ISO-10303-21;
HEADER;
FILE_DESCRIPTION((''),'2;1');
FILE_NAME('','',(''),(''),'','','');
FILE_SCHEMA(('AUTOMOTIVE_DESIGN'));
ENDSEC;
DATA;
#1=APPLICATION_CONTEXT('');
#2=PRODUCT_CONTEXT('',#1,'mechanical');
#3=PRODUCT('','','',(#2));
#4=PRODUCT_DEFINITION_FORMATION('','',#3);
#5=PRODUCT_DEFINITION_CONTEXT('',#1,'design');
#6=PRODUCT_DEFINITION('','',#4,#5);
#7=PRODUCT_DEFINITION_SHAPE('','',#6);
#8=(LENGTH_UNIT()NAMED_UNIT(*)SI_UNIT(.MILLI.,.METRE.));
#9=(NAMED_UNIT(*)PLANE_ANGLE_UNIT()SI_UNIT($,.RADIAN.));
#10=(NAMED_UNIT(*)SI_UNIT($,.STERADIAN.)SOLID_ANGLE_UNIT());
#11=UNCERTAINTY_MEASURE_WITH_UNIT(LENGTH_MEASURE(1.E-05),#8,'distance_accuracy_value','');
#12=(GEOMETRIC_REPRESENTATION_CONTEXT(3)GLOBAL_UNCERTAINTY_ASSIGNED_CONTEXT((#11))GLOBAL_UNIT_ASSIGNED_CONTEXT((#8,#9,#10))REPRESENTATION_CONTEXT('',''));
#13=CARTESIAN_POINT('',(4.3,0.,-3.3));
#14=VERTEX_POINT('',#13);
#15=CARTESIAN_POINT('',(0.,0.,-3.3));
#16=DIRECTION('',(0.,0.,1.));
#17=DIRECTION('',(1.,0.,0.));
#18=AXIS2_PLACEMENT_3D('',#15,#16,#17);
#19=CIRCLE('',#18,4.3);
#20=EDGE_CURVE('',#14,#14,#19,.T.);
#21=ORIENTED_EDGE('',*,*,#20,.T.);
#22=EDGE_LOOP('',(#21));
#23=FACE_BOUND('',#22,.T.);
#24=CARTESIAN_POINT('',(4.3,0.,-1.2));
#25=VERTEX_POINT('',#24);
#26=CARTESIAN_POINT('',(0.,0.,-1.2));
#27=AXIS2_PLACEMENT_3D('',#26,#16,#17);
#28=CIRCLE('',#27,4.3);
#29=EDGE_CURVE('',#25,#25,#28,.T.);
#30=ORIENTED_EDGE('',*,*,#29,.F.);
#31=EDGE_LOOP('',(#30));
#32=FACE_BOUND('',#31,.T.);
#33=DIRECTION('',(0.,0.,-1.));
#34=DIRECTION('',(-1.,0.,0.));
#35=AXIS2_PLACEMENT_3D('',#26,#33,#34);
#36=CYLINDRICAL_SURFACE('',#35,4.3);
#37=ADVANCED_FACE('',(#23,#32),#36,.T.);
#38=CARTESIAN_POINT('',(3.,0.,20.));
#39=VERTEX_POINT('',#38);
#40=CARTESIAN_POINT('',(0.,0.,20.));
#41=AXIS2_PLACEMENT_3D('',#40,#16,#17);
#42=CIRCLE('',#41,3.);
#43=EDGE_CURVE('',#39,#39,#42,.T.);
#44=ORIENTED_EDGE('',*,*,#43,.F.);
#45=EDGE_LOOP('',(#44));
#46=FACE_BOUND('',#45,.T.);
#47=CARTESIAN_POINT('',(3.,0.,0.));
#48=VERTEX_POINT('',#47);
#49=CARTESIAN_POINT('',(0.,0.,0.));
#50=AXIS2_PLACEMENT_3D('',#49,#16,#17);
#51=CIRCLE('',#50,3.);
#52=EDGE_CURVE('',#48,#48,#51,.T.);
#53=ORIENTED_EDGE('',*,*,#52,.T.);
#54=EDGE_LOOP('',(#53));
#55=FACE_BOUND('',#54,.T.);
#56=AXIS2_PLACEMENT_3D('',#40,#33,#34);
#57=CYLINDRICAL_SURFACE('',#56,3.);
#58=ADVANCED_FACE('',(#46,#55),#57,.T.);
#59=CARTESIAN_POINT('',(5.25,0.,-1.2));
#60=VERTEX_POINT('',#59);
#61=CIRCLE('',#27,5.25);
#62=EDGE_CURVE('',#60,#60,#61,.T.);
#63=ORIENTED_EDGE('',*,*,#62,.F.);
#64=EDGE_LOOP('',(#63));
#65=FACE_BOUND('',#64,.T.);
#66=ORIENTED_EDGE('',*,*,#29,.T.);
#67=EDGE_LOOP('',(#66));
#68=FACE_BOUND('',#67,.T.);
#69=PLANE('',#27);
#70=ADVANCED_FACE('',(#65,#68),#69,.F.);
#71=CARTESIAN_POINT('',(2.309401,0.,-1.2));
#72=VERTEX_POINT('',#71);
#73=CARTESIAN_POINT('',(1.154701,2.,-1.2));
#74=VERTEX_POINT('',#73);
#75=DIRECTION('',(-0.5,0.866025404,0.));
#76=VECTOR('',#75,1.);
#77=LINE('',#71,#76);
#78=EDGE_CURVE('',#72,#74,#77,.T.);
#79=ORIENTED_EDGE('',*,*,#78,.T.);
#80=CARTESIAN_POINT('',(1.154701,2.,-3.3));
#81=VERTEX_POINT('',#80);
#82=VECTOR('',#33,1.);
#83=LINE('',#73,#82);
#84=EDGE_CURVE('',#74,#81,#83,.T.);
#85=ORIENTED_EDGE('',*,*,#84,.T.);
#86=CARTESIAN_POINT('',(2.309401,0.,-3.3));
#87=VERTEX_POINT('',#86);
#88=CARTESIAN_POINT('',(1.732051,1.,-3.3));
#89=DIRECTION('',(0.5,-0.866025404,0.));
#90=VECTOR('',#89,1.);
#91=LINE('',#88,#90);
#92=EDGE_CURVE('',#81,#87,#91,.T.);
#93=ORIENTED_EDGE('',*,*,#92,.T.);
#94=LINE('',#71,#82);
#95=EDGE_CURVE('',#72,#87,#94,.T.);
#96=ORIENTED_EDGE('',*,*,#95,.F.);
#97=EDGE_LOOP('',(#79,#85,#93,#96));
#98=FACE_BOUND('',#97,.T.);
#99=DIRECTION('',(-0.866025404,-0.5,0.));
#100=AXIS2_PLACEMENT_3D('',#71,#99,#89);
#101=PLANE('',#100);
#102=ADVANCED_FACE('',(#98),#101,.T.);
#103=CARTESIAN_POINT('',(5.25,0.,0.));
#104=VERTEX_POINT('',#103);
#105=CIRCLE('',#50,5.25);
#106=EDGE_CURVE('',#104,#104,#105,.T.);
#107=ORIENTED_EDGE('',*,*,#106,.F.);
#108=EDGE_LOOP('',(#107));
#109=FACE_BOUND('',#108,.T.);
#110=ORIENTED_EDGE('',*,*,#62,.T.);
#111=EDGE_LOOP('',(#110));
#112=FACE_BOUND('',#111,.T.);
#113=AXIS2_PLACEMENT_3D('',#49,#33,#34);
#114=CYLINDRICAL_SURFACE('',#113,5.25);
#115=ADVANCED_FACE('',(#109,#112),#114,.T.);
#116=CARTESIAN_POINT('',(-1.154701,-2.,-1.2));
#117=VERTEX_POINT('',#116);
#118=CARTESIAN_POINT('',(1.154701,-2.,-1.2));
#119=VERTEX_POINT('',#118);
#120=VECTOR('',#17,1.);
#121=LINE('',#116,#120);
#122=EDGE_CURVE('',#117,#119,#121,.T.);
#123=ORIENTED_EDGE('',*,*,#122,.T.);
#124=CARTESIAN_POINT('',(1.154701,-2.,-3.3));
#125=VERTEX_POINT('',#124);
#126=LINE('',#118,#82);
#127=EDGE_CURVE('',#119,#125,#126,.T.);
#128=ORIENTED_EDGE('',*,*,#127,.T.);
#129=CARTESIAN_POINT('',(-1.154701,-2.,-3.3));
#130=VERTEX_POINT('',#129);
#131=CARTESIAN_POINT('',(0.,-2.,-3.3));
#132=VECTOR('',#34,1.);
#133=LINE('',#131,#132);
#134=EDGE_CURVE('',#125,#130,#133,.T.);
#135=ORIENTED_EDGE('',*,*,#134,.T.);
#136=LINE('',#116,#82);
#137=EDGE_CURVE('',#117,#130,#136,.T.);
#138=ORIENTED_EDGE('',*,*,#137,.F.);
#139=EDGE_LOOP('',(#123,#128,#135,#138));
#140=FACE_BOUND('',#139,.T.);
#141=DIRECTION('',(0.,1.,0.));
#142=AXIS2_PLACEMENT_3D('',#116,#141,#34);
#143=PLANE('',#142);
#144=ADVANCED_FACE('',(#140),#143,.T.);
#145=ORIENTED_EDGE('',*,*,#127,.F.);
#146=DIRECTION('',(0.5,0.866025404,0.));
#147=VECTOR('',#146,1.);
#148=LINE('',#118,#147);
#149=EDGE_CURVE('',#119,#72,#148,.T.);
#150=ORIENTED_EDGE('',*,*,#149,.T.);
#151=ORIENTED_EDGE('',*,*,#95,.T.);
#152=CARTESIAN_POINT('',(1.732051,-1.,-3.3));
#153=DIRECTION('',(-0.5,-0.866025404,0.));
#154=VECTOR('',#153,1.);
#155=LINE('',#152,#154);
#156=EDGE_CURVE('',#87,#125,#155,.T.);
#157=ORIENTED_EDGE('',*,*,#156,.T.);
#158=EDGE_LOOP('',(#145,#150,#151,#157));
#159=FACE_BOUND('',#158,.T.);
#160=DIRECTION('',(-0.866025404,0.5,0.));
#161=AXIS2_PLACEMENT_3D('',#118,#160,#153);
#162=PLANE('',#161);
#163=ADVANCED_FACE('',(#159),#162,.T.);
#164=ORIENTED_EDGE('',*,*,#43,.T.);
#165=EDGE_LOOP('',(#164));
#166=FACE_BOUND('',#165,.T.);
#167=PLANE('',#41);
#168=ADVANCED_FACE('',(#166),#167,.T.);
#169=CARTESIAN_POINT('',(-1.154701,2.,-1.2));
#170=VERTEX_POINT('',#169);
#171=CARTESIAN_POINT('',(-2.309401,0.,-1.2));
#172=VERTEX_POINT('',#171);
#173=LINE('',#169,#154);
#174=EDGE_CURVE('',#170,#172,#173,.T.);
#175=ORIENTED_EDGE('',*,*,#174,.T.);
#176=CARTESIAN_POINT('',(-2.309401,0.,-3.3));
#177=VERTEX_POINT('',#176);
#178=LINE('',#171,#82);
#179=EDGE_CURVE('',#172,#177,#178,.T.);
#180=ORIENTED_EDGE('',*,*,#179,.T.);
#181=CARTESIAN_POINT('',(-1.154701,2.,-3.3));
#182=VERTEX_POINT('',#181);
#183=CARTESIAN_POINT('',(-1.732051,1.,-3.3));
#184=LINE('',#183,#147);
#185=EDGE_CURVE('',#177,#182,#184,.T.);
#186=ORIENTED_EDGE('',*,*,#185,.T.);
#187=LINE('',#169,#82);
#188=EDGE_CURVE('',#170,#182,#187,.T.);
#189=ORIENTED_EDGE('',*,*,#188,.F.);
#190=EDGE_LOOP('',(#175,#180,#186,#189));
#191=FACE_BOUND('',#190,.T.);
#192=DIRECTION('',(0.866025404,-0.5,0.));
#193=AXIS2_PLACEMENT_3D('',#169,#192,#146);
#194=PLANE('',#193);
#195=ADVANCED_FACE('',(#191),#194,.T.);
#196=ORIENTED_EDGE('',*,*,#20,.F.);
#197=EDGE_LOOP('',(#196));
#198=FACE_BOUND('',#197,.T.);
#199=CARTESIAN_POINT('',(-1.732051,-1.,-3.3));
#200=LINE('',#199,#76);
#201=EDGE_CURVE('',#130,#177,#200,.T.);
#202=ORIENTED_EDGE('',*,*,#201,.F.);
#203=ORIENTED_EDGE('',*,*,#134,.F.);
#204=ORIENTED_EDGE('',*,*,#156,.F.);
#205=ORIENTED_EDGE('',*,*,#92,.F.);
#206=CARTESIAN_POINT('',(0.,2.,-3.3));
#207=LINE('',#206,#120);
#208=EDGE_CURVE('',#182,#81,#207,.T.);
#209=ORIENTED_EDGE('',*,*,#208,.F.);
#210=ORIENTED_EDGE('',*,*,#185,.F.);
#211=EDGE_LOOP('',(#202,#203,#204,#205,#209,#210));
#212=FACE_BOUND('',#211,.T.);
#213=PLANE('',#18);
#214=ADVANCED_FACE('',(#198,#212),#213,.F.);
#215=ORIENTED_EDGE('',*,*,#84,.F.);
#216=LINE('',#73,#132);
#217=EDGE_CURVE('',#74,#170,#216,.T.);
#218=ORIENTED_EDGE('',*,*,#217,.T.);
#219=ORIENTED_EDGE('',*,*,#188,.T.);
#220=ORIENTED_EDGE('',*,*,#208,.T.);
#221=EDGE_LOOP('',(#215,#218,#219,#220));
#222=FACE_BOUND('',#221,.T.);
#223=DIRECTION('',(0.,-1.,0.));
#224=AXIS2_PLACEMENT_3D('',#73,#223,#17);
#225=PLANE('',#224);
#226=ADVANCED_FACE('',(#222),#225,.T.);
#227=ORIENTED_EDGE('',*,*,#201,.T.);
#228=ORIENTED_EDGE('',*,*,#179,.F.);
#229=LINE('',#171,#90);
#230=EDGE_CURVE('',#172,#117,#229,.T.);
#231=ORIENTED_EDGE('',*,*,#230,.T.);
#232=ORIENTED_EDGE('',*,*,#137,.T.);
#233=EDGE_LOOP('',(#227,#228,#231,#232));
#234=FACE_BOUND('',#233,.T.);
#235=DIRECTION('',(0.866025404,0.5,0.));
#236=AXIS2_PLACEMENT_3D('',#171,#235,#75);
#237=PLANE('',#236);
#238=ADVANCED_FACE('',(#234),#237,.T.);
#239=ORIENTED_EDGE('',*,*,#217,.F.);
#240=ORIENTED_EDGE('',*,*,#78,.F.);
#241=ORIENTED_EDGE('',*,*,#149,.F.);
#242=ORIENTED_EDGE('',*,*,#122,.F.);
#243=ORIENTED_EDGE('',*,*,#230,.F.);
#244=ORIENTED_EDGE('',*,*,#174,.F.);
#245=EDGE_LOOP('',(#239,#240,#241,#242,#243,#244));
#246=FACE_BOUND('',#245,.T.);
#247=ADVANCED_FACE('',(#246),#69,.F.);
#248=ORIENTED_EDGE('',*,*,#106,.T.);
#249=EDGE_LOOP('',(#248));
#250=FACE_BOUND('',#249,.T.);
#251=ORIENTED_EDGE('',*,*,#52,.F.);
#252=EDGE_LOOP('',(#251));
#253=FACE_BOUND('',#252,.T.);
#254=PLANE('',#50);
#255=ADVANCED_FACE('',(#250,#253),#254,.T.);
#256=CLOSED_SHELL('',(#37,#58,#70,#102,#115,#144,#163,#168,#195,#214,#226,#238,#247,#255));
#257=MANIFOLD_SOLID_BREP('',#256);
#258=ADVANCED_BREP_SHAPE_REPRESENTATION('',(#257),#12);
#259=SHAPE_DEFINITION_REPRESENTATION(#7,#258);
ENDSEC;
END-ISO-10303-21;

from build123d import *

# Parameters (mm, degrees)
S01_M6_SHANK_R                   = 3
F_01_M6_SHANK_DEPTH              = 20
F_02_START                       = -1.2
S02_HEAD_SEATING_DIAMETER_R      = 5.25
F_02_HEAD_SEATING_DIAMETER_DEPTH = 1.2
F_03_START                       = -3.3
S03_BUTTON_CROWN_R               = 4.3
F_03_BUTTON_CROWN_DEPTH          = 2.1
F_04_START                       = -3.4
F_04_4_MM_HEX_KEY_DEPTH          = 2.2


with BuildPart() as part:
    # S01 - M6 shank → 01 - M6 shank (new body)
    with BuildSketch(Plane.XY):
        Circle(S01_M6_SHANK_R)
    extrude(amount=F_01_M6_SHANK_DEPTH)

    # S02 - Head seating diameter → 02 - Head seating diameter (add)
    with BuildSketch(Plane.XY.offset(F_02_START)):
        Circle(S02_HEAD_SEATING_DIAMETER_R)
    extrude(amount=F_02_HEAD_SEATING_DIAMETER_DEPTH)

    # S03 - Button crown → 03 - Button crown (add)
    with BuildSketch(Plane.XY.offset(F_03_START)):
        Circle(S03_BUTTON_CROWN_R)
    extrude(amount=F_03_BUTTON_CROWN_DEPTH)

    # S04 - 4 mm hex key → 04 - 4 mm hex key (cut)
    with BuildSketch(Plane.XY.offset(F_04_START)):
        Polygon((2.309401077, 0), (1.154700538, 2), (-1.154700538, 2), (-2.309401077, 0), (-1.154700538, -2), (1.154700538, -2), align=None)
    extrude(amount=F_04_4_MM_HEX_KEY_DEPTH, mode=Mode.SUBTRACT)


solid = part.part
